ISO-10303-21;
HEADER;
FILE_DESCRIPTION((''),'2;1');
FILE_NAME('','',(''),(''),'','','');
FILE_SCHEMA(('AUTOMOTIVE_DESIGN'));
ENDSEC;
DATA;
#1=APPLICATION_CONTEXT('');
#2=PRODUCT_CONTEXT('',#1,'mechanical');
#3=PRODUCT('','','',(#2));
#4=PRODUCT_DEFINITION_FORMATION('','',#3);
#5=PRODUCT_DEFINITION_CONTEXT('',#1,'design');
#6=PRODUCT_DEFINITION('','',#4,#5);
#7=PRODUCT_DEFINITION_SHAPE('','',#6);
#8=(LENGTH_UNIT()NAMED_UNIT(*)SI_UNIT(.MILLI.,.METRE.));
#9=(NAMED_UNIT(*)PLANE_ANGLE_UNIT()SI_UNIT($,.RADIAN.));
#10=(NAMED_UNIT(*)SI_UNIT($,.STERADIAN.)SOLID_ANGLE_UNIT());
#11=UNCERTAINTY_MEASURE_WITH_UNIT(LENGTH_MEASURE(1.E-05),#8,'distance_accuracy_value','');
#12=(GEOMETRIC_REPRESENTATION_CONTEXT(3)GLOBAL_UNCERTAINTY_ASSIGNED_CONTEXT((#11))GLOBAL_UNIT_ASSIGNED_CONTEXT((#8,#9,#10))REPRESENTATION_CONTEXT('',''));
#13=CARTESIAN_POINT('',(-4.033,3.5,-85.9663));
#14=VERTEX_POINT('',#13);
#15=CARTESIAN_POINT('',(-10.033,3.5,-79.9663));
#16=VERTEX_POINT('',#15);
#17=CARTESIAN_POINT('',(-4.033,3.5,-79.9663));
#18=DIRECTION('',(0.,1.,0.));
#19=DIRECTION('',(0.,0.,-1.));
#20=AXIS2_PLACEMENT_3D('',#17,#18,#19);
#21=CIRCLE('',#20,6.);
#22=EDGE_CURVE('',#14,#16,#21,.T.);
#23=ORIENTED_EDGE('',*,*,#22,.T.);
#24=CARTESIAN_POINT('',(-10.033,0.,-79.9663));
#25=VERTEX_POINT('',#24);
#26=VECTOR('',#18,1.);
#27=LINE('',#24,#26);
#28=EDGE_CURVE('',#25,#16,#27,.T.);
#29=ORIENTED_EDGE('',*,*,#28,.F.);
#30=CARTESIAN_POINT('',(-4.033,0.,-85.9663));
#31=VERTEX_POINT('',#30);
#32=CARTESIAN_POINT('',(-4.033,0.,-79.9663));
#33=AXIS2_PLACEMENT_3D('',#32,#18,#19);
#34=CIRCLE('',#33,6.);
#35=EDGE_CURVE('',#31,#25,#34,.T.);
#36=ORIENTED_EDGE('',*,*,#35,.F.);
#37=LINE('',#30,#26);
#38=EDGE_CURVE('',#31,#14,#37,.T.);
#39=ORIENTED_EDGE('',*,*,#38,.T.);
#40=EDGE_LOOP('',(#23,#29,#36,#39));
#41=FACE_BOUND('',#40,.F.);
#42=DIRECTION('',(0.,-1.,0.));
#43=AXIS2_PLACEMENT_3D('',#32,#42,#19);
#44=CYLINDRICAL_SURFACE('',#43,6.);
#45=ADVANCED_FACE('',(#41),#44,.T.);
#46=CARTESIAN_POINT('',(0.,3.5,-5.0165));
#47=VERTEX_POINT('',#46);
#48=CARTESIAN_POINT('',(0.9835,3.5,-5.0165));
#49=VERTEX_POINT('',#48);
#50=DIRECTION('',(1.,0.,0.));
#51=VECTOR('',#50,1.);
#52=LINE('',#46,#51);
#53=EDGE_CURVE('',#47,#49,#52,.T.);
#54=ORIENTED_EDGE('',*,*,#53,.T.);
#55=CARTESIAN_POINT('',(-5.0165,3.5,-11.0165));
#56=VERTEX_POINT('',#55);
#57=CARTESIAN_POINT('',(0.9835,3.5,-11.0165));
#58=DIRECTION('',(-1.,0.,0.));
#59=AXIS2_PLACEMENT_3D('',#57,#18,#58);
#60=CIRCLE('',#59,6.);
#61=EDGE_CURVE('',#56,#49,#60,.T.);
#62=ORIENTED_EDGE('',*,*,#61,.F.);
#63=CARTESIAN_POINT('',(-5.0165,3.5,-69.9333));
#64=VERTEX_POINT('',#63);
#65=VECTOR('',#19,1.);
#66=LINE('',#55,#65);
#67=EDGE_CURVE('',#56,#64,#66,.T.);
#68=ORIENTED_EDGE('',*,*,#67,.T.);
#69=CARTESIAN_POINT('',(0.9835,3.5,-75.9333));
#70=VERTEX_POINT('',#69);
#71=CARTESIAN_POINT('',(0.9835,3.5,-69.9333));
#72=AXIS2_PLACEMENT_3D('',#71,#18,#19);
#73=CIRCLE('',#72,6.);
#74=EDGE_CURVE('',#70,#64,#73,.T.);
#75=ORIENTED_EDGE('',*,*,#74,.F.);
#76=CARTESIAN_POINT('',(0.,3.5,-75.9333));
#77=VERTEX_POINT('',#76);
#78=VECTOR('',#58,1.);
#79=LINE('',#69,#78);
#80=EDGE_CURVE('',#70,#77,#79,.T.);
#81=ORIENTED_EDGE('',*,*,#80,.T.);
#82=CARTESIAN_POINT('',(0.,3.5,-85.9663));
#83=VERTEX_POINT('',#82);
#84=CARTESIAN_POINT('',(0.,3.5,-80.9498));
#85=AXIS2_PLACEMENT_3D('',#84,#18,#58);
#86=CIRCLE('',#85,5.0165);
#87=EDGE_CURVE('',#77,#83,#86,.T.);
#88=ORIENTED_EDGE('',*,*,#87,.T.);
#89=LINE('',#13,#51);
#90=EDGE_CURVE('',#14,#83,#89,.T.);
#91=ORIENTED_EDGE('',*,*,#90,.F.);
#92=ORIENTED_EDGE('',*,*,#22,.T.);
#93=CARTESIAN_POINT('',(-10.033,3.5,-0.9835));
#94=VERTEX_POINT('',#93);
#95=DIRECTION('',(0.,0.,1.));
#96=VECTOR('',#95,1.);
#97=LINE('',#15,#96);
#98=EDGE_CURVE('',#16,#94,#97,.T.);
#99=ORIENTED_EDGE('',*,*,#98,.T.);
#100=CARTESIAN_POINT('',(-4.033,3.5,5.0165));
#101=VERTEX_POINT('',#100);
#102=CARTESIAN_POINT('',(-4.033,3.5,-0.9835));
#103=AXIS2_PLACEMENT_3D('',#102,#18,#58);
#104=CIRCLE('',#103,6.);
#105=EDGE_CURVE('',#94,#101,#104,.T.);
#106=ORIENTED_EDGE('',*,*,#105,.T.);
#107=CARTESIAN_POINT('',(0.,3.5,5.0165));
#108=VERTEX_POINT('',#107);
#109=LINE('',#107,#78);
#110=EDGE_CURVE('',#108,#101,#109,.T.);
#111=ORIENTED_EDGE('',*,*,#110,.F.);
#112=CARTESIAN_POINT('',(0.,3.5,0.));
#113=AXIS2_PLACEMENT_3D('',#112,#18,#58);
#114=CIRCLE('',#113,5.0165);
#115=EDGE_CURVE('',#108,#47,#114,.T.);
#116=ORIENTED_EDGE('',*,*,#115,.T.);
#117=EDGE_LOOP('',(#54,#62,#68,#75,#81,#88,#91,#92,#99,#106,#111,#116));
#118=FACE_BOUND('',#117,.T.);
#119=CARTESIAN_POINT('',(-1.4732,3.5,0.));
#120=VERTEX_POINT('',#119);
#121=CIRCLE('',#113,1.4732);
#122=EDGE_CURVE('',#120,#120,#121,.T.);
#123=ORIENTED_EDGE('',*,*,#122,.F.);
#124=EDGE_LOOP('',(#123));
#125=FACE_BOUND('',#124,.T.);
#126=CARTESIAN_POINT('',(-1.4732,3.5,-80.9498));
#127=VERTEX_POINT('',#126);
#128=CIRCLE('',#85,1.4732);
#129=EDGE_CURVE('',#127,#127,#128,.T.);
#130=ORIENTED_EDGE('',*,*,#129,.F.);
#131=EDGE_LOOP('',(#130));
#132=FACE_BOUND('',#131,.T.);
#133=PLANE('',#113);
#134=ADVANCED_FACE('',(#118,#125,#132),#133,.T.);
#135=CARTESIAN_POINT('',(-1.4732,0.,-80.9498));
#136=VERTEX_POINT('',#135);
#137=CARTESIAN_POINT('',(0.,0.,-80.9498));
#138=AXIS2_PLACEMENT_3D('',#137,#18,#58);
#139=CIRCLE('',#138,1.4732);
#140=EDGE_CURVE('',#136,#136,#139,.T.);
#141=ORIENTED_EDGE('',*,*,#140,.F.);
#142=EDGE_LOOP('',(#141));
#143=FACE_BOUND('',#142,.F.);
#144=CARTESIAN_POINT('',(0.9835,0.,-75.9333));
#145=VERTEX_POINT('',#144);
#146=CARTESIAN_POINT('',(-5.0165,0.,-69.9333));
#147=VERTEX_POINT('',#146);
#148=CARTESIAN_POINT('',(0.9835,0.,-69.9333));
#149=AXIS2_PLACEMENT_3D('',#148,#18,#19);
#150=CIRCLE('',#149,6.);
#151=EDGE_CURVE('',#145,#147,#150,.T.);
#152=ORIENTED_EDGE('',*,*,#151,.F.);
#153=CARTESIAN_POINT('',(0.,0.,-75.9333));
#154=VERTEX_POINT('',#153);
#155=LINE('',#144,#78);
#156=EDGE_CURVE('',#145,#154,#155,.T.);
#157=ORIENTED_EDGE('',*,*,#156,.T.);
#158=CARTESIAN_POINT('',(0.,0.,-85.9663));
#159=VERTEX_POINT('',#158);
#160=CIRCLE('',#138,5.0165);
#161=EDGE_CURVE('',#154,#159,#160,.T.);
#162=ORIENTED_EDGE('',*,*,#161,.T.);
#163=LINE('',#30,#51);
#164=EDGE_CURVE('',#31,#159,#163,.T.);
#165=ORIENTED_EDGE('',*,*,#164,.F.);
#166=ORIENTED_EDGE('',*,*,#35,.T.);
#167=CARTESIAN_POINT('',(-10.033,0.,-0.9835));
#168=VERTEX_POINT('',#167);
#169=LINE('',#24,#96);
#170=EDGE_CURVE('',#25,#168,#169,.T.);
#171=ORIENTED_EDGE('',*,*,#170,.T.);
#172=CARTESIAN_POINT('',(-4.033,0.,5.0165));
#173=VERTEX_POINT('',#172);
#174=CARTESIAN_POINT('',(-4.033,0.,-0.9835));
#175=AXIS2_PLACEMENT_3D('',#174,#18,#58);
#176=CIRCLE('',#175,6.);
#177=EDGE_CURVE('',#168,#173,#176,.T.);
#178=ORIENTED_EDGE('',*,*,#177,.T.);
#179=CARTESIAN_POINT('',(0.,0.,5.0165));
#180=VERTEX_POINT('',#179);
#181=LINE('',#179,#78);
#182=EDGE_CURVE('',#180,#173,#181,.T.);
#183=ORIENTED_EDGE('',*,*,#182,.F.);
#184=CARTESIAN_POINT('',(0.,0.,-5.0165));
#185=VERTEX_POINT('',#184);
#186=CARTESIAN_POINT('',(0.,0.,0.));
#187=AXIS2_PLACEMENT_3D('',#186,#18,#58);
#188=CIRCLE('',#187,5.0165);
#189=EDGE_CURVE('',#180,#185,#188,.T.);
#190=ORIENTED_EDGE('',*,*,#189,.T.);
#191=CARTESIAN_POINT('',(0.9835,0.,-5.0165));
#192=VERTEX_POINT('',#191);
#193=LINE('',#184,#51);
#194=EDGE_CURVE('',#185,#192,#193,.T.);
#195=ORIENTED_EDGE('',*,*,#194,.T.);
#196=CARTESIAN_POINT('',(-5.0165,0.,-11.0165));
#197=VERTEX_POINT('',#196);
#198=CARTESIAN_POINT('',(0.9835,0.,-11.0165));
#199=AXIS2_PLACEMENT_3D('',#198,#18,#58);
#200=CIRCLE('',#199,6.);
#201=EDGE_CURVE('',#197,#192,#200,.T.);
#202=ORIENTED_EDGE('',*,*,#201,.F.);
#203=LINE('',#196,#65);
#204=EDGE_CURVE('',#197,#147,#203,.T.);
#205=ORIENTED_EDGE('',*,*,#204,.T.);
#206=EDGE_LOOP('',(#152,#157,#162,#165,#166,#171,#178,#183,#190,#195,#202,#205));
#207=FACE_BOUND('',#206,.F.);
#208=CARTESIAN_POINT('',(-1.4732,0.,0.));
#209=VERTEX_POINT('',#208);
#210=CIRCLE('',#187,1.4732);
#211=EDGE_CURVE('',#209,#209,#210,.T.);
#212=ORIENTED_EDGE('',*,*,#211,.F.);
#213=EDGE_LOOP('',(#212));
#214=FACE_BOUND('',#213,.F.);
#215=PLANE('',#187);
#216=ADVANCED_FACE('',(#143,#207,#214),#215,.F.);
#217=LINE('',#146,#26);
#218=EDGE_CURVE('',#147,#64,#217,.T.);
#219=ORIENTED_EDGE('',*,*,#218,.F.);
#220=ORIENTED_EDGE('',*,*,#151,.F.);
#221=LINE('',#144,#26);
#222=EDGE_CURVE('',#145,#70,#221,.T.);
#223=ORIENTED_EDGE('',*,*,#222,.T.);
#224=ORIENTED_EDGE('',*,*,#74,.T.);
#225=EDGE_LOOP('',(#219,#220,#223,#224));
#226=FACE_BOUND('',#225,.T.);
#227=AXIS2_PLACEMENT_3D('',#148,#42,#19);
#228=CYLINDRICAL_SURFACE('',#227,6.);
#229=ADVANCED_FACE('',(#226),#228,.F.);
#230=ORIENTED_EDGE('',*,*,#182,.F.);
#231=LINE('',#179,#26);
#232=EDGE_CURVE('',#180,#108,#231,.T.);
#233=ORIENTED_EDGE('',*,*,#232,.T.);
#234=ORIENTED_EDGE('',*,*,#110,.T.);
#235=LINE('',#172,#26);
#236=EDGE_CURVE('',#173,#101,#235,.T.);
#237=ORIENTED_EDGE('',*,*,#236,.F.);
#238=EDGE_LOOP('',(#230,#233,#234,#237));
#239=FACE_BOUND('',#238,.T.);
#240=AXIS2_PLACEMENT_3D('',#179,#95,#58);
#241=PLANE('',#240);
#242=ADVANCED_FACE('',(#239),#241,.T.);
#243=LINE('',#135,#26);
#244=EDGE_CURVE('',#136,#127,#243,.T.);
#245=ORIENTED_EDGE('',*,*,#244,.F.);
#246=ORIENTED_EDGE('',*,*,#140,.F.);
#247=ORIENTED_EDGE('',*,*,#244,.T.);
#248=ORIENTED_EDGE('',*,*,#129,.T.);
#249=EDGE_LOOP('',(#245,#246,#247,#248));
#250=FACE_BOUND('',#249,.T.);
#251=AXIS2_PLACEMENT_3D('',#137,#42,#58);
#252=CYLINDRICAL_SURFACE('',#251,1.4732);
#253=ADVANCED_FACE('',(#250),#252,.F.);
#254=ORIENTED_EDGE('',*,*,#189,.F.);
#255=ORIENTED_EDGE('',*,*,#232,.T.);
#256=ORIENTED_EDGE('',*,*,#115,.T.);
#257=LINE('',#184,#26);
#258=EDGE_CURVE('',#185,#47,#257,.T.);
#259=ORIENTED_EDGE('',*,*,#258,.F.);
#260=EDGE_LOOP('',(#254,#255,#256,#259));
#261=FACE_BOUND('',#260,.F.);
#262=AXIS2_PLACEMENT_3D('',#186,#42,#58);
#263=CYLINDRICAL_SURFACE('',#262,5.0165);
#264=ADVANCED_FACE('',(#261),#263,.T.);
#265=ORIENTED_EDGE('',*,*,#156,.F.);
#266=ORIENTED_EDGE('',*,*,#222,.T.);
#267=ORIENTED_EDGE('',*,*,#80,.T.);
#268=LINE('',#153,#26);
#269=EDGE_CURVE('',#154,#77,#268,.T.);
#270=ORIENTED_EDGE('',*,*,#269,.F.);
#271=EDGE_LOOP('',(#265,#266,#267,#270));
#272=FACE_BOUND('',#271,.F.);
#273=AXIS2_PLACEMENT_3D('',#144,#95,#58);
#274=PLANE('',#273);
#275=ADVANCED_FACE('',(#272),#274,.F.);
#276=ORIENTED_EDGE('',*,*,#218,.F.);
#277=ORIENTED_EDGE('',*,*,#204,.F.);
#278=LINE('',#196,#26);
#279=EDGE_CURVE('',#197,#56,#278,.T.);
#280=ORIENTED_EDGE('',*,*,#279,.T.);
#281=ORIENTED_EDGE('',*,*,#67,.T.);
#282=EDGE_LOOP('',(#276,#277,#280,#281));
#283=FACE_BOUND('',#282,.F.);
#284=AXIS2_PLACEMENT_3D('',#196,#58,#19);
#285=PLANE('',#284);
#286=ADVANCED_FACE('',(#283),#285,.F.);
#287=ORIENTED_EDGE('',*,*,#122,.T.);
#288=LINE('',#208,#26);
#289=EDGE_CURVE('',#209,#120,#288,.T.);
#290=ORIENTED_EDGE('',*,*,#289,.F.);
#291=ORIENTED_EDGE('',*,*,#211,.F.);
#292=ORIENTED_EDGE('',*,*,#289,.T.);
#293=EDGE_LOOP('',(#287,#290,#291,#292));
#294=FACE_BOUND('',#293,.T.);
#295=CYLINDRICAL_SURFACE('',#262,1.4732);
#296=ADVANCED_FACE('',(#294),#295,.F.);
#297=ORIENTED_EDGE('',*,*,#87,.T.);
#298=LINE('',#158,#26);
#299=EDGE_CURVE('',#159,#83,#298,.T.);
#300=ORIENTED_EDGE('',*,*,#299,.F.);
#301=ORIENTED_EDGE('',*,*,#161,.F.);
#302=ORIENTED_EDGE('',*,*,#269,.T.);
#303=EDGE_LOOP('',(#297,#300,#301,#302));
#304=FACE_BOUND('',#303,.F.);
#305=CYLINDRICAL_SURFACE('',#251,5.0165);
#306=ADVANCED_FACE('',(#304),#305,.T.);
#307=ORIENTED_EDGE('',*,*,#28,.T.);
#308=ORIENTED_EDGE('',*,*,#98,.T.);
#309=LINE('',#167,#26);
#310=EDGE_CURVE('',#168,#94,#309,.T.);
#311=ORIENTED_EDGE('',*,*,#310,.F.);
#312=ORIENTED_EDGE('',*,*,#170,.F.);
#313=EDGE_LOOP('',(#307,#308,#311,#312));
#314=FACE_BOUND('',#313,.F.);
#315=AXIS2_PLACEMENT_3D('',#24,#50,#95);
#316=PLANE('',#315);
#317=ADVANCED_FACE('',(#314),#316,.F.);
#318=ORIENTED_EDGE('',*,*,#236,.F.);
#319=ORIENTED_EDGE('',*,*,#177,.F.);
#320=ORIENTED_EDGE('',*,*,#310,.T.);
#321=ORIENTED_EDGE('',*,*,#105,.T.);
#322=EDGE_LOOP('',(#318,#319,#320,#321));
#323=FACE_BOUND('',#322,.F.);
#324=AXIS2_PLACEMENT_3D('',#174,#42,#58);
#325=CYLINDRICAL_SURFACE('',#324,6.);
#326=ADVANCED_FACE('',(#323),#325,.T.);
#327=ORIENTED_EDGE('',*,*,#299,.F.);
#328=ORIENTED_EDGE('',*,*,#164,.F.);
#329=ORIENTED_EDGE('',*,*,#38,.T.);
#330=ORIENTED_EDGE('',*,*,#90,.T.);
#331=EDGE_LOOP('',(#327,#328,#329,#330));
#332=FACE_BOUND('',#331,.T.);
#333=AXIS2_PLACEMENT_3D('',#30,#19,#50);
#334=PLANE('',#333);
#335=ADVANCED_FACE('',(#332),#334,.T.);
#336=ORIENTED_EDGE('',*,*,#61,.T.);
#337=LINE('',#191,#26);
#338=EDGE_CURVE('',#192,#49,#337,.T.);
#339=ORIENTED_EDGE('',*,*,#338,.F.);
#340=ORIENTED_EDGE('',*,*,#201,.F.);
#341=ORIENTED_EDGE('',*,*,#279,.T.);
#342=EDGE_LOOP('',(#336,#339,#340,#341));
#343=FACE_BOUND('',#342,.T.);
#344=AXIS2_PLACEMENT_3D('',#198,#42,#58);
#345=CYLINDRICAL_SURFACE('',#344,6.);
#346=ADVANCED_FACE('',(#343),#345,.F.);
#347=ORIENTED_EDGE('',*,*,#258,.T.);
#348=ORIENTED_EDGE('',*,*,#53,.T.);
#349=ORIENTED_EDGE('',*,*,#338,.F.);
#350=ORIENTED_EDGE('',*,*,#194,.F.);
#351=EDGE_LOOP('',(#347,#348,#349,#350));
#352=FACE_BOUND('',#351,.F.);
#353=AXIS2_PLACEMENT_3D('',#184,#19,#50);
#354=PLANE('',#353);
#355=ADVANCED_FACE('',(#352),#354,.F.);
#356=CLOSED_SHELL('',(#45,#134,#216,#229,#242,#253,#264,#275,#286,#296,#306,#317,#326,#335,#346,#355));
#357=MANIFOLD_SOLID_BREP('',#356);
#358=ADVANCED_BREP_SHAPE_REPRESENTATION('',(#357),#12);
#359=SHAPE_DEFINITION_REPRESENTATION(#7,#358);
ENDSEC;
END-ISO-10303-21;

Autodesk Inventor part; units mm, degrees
ref_plane "YZ Plane" through (0, 0, 0) normal (1, 0, 0) x (0, 1, 0)
ref_plane "XZ Plane" through (0, 0, 0) normal (0, 1, 0) x (-1, 0, 0)
ref_plane "XY Plane" through (0, 0, 0) normal (0, 0, 1) x (1, 0, 0)
sketch "Sketch1" plane through (0, 0, 0) normal (0, 1, 0) x (-1, 0, 0)
  circle A0 centre (0, 0) radius 1.4732
  circle A1 centre (0, -80.9498) radius 1.4732
  circle A2 centre (0, 0) radius 5.0165
  circle A3 centre (0, -80.9498) radius 5.0165
  line L0 (0, 5.0165) -> (4.033, 5.0165)
  line L1 (4.033, -85.9663) -> (0, -85.9663)
  line L2 (10.033, -79.9663) -> (10.033, -0.9835)
  line L3 (0, -5.0165) -> (-0.9835, -5.0165)
  line L4 (5.0165, -11.0165) -> (5.0165, -69.9333)
  line L5 (-0.9835, -75.9333) -> (0, -75.9333)
  arc A4 (10.033, -0.9835) -> (4.033, 5.0165) centre (4.033, -0.9835) ccw
  arc A5 (4.033, -85.9663) -> (10.033, -79.9663) centre (4.033, -79.9663) ccw
  arc A6 (5.0165, -11.0165) -> (-0.9835, -5.0165) centre (-0.9835, -11.0165) ccw
  arc A7 (-0.9835, -75.9333) -> (5.0165, -69.9333) centre (-0.9835, -69.9333) ccw
  point P0 (10.033, 5.0165)
  dimension "d0" = 2.9464
  dimension "d2" = 2.9464
  dimension "d3" = 10.033
  dimension "d4" = 10.033
  dimension "d7" = 80.9498
  dimension "d8" = 10.033
  dimension "d9" = 6
  dimension "d10" = 6
  dimension "d11" = 6
  dimension "d12" = 6
extrude "Extrusion1" add sketch "Sketch1" along normal blind 3.5
properties part number "sidemount"
